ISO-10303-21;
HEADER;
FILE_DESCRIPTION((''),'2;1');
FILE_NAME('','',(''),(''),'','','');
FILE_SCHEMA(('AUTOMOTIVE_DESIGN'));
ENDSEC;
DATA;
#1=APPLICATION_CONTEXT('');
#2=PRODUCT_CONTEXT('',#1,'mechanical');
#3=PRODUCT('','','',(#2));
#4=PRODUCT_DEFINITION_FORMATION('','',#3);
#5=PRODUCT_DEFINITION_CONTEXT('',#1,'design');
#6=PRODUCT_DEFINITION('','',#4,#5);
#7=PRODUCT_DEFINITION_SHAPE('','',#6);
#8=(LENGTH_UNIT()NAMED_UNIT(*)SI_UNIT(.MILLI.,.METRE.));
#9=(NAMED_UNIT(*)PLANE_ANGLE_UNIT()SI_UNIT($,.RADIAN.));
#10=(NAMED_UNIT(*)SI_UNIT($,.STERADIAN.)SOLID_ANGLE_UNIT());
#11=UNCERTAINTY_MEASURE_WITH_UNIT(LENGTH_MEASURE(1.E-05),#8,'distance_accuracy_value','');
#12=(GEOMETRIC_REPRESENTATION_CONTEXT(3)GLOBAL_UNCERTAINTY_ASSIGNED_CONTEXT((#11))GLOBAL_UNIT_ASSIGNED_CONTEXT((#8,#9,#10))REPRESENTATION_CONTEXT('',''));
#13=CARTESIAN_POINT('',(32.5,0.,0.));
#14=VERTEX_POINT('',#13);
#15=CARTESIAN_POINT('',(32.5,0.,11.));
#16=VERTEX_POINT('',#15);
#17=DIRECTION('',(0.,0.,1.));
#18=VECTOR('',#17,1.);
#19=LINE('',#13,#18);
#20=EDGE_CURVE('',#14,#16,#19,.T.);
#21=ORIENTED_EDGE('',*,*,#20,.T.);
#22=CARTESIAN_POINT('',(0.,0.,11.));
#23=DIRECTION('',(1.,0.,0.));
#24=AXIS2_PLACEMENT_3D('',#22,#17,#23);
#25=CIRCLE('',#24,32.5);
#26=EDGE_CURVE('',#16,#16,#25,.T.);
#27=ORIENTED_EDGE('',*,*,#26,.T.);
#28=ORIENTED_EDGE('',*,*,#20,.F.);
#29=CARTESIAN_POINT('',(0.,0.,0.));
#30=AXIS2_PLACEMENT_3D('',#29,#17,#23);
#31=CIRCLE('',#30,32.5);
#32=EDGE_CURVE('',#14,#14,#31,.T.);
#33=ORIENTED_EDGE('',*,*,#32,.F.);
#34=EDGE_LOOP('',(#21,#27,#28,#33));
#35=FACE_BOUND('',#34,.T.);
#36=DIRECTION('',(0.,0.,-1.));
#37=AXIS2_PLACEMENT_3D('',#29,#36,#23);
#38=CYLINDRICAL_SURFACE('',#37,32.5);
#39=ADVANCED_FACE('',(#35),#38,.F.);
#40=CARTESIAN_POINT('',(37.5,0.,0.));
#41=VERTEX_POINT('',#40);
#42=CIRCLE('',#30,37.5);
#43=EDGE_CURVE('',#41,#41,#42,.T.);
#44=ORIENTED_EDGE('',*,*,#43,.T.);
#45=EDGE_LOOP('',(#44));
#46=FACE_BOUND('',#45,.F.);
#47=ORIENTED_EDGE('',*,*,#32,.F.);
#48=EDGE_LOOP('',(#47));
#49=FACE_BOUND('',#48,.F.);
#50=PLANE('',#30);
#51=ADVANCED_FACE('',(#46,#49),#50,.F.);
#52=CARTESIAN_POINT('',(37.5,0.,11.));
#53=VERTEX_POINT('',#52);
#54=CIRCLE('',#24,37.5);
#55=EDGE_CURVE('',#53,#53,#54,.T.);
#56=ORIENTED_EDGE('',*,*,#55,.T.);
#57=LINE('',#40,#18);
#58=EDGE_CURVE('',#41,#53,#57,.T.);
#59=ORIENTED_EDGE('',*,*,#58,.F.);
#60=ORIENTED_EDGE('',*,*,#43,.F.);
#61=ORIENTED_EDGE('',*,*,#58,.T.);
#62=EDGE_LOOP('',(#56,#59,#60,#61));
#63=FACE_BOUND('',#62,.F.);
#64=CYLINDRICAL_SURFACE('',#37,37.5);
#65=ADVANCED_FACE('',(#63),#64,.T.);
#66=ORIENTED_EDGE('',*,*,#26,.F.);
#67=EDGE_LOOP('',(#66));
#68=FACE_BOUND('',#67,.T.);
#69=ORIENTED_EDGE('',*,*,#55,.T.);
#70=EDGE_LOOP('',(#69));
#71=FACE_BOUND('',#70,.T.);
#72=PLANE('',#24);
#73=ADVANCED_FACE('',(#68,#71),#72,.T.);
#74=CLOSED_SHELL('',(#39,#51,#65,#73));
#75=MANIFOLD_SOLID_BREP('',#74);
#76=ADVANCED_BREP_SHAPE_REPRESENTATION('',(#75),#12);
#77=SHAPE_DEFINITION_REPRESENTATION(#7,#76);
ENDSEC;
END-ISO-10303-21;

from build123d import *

# Parameters (mm, degrees)
SKETCH_R   = 37.5
SKETCH_R_2 = 32.5
PAD_DEPTH  = 11


with BuildPart() as part:
    # Sketch → Pad (new body)
    with BuildSketch(Plane.XY):
        Circle(SKETCH_R)
        Circle(SKETCH_R_2, mode=Mode.SUBTRACT)
    extrude(amount=PAD_DEPTH)


solid = part.part
